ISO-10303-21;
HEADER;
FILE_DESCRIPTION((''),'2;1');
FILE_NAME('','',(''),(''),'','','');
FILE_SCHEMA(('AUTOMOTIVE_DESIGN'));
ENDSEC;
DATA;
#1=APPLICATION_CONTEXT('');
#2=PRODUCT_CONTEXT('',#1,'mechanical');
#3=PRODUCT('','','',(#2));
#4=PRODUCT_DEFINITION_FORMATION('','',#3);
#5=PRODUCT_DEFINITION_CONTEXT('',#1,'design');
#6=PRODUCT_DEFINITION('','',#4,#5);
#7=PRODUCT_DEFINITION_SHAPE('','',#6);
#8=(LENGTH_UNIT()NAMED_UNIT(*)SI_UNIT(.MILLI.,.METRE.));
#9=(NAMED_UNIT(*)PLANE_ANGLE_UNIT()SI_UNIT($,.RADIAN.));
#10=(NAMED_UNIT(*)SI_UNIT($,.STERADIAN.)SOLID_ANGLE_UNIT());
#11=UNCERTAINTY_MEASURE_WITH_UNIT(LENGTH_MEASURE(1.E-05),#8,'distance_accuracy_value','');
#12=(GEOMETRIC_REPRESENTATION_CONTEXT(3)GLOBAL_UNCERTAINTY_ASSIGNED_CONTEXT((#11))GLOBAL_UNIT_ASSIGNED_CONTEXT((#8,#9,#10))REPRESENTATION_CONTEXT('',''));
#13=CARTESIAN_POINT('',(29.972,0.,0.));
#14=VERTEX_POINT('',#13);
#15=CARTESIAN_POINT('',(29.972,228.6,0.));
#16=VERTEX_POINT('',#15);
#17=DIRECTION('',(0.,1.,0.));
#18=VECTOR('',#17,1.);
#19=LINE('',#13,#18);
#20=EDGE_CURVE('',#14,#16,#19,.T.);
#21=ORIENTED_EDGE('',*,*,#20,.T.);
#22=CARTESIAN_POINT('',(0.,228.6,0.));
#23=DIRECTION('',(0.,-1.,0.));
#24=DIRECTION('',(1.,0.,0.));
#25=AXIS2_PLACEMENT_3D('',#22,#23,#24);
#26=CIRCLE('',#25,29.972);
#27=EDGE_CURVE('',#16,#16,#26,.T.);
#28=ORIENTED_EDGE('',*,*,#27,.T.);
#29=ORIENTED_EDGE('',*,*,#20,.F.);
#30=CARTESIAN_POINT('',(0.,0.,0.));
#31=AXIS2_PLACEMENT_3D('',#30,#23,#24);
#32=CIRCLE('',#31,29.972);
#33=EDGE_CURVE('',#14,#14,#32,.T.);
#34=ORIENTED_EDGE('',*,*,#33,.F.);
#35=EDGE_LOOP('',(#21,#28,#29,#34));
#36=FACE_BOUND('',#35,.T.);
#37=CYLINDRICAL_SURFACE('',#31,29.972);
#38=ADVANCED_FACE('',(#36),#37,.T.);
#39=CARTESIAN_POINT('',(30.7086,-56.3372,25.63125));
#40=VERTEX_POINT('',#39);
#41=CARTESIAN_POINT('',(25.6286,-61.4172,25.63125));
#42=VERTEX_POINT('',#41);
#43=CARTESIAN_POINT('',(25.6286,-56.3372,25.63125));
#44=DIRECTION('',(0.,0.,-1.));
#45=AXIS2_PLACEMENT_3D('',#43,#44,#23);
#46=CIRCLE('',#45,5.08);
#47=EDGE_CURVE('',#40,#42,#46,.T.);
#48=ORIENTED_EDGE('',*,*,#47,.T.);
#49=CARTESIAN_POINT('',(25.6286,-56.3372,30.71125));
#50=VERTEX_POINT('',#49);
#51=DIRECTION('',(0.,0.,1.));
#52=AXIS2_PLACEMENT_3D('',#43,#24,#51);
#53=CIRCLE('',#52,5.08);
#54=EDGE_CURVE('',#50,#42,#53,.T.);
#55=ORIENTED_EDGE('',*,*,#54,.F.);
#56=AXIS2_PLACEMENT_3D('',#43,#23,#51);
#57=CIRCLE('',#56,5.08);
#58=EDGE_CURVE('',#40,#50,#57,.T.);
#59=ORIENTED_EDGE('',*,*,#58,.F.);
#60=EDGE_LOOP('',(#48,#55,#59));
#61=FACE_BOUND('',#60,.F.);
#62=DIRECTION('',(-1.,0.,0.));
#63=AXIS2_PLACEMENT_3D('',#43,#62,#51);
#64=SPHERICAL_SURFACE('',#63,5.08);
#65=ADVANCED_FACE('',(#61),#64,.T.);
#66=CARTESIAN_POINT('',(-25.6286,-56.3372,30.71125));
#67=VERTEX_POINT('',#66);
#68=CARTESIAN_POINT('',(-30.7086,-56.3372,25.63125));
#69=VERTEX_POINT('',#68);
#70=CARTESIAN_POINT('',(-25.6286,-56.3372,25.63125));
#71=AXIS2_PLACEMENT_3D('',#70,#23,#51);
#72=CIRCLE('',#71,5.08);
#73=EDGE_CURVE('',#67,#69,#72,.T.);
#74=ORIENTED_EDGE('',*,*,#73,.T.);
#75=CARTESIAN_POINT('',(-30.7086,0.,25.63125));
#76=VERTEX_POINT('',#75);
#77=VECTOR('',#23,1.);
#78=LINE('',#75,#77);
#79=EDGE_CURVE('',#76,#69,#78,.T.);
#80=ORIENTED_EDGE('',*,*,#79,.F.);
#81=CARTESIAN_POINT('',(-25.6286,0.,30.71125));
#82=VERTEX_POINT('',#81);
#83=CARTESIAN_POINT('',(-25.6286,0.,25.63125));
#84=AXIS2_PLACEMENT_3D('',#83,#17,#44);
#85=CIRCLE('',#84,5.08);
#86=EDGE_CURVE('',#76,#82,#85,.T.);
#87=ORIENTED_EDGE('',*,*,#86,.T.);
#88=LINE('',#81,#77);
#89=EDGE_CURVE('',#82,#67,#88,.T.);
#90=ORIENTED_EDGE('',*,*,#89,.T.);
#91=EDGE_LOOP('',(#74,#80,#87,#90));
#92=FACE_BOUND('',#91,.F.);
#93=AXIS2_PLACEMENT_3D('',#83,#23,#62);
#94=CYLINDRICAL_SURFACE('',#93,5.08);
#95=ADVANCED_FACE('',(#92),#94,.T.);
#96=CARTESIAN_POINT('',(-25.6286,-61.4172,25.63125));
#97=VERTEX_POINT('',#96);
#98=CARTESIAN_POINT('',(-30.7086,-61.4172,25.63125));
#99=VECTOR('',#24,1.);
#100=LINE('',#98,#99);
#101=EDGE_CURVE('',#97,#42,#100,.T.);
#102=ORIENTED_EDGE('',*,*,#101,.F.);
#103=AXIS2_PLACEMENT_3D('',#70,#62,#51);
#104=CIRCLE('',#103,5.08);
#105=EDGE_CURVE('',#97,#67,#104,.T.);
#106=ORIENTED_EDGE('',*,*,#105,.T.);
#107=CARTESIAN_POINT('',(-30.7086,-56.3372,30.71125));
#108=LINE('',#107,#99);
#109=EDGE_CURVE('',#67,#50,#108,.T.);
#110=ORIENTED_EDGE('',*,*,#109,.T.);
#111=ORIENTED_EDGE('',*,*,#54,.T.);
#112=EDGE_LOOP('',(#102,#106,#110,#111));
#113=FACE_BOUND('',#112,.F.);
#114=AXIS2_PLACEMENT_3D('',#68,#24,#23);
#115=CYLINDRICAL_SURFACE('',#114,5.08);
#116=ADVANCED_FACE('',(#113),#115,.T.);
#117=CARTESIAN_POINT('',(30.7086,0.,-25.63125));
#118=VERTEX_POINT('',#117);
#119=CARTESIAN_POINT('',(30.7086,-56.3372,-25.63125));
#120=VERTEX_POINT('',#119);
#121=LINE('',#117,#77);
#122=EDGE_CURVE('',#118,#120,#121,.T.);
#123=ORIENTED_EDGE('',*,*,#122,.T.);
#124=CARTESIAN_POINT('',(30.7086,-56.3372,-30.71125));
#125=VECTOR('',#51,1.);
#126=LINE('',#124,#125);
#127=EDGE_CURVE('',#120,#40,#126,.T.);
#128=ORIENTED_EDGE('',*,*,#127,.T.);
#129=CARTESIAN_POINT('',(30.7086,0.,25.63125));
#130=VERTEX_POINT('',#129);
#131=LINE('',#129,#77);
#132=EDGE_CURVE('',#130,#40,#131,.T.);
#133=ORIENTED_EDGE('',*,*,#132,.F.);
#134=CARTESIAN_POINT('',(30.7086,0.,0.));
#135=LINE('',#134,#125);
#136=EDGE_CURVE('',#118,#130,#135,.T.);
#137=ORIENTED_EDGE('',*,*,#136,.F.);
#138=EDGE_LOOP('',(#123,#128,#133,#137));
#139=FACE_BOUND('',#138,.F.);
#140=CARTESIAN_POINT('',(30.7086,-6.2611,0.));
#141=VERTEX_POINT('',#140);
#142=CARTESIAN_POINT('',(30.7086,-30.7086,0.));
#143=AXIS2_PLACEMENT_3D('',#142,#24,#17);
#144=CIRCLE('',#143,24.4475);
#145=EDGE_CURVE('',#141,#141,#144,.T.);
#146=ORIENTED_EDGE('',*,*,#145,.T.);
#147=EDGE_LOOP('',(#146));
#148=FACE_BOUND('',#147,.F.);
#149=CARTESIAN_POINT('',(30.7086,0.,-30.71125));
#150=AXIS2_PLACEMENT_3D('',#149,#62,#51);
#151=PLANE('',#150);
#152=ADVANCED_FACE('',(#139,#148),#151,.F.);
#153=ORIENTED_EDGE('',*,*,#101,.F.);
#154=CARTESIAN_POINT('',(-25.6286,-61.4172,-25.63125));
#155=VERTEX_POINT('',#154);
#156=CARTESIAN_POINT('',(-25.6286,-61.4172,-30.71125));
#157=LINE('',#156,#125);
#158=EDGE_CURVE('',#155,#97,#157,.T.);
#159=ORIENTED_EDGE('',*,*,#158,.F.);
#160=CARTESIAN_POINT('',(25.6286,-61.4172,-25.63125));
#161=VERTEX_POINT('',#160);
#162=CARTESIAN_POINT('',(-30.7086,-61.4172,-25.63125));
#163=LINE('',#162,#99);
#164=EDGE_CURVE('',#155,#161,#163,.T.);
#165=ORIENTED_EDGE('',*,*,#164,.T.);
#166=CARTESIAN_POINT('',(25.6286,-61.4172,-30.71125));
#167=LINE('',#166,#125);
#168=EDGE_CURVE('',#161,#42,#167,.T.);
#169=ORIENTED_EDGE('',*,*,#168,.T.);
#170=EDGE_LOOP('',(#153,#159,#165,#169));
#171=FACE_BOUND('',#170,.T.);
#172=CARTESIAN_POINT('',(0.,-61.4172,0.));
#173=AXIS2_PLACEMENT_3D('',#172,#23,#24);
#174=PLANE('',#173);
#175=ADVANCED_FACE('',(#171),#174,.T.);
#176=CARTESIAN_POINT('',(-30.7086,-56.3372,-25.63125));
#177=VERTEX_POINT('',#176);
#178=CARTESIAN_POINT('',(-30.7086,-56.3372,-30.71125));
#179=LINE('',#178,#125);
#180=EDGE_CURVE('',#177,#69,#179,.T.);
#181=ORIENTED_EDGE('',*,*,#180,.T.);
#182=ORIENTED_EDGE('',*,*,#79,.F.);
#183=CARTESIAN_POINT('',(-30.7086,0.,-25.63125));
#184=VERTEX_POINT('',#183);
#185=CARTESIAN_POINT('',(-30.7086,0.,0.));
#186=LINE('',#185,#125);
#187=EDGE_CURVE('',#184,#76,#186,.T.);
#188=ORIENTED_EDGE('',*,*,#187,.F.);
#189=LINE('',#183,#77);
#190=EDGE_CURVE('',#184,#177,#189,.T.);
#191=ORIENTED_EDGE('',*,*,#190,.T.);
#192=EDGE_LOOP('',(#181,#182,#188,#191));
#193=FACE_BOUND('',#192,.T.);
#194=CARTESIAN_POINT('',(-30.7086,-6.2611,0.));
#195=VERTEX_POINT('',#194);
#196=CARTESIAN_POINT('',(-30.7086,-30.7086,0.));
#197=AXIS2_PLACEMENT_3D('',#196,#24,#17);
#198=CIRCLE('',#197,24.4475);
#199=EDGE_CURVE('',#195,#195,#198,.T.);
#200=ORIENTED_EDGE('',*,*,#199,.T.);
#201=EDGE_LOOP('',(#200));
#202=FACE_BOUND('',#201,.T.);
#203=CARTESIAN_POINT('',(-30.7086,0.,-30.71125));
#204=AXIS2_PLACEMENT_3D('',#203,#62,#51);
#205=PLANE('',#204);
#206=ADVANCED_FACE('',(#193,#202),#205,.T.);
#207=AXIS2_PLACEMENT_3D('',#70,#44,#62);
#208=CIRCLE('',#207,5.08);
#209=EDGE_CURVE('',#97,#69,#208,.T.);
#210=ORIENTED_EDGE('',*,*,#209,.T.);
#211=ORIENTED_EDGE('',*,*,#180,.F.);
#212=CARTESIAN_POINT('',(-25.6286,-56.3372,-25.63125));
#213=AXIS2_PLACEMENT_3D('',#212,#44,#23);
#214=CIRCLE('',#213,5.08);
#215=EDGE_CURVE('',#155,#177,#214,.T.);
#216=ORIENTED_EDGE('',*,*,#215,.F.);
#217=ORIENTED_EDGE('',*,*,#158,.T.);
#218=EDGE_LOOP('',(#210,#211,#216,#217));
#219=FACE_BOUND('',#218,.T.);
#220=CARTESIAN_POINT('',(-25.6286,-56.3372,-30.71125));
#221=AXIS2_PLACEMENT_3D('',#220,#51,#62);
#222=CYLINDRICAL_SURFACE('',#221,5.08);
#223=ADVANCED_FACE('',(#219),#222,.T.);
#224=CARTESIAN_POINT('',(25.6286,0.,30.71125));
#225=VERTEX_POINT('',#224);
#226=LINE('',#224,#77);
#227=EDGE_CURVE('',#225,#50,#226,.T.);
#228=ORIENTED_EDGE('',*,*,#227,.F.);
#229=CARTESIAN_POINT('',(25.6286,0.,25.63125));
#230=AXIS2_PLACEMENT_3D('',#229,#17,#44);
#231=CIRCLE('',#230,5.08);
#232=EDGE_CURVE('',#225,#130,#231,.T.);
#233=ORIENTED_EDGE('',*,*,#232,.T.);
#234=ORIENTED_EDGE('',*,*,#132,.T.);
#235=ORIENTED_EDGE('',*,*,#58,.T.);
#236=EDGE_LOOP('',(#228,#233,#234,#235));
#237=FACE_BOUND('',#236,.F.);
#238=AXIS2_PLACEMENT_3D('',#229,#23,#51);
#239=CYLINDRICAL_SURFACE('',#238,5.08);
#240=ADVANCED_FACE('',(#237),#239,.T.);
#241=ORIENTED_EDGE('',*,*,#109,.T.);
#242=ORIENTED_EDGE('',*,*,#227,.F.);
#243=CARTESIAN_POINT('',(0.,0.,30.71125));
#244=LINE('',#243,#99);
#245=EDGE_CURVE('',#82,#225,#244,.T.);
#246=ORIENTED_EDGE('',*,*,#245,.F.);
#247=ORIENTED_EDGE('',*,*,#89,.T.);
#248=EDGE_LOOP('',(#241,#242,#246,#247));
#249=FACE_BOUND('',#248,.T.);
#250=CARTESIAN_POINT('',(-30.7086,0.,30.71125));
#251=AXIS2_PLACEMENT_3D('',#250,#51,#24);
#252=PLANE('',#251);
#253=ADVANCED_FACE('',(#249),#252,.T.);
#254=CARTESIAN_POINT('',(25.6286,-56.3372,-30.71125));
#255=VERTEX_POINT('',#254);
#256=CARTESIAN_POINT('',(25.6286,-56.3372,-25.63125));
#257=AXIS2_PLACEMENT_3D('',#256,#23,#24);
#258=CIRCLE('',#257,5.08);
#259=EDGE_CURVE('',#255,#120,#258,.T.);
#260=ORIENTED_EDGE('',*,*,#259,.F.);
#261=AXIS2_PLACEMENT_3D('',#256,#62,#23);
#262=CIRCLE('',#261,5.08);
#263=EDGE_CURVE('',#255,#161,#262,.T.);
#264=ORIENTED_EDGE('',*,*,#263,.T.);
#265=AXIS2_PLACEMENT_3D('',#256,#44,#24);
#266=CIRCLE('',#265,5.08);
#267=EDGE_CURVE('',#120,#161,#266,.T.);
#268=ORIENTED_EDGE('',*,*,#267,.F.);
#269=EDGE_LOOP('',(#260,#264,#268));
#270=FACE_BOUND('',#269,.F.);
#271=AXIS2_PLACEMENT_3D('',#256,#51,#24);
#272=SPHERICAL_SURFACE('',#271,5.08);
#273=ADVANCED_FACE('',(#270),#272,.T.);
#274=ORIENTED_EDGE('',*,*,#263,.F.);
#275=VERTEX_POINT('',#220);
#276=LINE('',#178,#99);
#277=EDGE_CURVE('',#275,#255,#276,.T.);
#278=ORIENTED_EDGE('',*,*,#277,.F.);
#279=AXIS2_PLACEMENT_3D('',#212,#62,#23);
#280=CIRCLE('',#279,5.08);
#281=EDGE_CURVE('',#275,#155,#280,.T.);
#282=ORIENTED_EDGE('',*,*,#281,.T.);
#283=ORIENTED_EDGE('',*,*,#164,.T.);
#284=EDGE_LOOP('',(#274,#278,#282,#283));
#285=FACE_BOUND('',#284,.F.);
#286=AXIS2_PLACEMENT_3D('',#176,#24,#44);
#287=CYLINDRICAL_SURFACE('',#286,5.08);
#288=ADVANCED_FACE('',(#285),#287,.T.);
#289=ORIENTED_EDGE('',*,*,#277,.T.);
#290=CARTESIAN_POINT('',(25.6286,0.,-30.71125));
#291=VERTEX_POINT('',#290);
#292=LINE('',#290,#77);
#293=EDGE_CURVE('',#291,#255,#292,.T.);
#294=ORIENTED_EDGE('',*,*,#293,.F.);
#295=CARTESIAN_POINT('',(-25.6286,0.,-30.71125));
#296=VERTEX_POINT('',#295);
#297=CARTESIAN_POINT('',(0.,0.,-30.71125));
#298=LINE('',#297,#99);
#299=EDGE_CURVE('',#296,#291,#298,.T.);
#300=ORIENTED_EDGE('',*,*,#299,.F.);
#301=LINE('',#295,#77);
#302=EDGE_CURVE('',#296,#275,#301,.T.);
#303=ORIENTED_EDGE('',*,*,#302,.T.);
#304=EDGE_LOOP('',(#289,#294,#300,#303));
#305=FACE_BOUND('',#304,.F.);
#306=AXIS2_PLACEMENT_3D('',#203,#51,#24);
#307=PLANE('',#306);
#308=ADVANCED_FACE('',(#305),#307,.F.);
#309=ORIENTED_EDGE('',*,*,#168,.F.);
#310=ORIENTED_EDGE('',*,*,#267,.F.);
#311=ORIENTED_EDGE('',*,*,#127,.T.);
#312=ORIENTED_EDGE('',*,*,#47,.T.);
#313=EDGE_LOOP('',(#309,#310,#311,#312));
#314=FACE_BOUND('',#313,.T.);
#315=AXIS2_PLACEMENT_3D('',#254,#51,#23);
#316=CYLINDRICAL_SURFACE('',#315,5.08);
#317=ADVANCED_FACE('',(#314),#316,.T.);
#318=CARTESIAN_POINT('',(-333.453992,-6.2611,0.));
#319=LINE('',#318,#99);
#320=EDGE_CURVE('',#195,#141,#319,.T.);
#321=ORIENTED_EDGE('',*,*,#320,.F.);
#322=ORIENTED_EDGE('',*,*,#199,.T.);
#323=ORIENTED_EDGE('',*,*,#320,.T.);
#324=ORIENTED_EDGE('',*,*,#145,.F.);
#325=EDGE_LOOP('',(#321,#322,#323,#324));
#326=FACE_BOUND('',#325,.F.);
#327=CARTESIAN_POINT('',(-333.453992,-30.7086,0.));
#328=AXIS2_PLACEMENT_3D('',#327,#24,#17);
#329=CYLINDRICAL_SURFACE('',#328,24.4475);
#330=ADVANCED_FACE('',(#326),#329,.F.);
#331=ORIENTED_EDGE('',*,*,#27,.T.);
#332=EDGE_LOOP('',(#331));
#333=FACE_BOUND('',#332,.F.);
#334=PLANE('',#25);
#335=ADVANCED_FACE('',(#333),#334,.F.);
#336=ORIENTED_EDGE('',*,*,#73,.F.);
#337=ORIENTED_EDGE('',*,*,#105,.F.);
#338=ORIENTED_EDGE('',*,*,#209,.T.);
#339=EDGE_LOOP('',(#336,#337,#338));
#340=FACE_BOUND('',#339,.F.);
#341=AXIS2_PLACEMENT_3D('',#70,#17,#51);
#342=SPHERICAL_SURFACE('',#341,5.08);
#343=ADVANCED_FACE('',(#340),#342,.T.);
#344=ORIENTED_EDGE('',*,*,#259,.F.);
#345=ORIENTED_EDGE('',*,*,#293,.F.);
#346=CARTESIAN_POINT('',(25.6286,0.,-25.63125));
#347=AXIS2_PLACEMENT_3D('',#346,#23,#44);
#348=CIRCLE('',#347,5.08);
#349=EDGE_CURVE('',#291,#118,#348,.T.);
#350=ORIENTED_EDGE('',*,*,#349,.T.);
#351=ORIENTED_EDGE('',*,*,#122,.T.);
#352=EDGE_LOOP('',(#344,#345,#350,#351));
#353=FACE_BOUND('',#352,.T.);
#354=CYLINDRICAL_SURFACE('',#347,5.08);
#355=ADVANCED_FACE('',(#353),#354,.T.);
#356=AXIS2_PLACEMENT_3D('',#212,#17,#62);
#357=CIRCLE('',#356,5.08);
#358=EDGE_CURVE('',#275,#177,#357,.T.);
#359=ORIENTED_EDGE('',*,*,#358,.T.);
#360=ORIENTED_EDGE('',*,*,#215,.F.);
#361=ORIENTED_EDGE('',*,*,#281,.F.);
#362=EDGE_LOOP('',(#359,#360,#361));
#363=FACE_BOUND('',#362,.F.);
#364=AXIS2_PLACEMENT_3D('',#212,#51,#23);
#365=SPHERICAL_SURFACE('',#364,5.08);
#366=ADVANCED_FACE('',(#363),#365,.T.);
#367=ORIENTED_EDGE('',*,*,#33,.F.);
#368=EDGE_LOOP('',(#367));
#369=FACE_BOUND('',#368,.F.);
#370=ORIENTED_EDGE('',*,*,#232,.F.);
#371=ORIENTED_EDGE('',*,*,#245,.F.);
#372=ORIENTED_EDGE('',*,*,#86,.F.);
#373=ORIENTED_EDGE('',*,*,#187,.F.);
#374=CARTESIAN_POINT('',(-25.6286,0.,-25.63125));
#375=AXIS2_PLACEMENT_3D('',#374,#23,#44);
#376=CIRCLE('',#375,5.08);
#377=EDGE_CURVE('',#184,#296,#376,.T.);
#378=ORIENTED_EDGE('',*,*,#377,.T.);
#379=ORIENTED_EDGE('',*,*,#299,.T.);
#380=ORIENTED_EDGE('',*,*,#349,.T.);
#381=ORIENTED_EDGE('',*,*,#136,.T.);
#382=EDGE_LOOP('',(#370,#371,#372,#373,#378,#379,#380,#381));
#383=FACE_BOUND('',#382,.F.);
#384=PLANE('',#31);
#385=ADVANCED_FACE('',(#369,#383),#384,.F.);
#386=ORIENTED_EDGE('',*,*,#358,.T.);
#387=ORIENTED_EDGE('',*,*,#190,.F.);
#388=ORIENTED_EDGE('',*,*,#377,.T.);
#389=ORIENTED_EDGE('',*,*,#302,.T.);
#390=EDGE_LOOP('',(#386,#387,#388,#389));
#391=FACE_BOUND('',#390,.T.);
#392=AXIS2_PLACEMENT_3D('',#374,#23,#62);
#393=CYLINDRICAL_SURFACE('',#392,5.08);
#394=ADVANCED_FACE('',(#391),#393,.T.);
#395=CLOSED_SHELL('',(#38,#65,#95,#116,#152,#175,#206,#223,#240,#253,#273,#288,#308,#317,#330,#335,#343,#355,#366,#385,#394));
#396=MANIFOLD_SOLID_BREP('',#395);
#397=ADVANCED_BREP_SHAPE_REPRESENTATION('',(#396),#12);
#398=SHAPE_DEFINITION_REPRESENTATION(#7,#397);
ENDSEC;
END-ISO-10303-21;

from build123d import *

# Parameters (mm, degrees)
F0_R     = 29.972
F1_DEPTH = 228.6
F2_W     = 61.4172
F2_H     = 61.4225
F3_DEPTH = 61.4172
F5_D     = 48.895
F6_R     = 5.08


with BuildPart() as f1:
    # F0 (on Front) → F1 (new body)
    with BuildSketch(Plane.XZ):
        Circle(F0_R)
    extrude(amount=-F1_DEPTH)

    # F2 (on Front) → F3 (join)
    with BuildSketch(Plane.XZ):
        Rectangle(F2_W, F2_H)
    extrude(amount=F3_DEPTH)

    # F5 (through all)
    with Locations(Plane(origin=(-30.7086, 0, 0), x_dir=(0, -1, 0), z_dir=(-1, 0, 0))):
        with Locations((30.7086, 0)):
            Hole(F5_D / 2)

    # F6
    f6_edges = [f1.edges().sort_by_distance(p)[0] for p in [
        (-30.7086, -30.7086, 30.71125),
        (0, -61.4172, 30.71125),
        (-30.7086, -61.4172, 0),
        (30.7086, -30.7086, 30.71125),
        (30.7086, -61.4172, 0),
        (30.7086, -30.7086, -30.71125),
        (0, -61.4172, -30.71125),
        (-30.7086, -30.7086, -30.71125),
    ]]
    fillet(f6_edges, radius=F6_R)


solid = f1.part
